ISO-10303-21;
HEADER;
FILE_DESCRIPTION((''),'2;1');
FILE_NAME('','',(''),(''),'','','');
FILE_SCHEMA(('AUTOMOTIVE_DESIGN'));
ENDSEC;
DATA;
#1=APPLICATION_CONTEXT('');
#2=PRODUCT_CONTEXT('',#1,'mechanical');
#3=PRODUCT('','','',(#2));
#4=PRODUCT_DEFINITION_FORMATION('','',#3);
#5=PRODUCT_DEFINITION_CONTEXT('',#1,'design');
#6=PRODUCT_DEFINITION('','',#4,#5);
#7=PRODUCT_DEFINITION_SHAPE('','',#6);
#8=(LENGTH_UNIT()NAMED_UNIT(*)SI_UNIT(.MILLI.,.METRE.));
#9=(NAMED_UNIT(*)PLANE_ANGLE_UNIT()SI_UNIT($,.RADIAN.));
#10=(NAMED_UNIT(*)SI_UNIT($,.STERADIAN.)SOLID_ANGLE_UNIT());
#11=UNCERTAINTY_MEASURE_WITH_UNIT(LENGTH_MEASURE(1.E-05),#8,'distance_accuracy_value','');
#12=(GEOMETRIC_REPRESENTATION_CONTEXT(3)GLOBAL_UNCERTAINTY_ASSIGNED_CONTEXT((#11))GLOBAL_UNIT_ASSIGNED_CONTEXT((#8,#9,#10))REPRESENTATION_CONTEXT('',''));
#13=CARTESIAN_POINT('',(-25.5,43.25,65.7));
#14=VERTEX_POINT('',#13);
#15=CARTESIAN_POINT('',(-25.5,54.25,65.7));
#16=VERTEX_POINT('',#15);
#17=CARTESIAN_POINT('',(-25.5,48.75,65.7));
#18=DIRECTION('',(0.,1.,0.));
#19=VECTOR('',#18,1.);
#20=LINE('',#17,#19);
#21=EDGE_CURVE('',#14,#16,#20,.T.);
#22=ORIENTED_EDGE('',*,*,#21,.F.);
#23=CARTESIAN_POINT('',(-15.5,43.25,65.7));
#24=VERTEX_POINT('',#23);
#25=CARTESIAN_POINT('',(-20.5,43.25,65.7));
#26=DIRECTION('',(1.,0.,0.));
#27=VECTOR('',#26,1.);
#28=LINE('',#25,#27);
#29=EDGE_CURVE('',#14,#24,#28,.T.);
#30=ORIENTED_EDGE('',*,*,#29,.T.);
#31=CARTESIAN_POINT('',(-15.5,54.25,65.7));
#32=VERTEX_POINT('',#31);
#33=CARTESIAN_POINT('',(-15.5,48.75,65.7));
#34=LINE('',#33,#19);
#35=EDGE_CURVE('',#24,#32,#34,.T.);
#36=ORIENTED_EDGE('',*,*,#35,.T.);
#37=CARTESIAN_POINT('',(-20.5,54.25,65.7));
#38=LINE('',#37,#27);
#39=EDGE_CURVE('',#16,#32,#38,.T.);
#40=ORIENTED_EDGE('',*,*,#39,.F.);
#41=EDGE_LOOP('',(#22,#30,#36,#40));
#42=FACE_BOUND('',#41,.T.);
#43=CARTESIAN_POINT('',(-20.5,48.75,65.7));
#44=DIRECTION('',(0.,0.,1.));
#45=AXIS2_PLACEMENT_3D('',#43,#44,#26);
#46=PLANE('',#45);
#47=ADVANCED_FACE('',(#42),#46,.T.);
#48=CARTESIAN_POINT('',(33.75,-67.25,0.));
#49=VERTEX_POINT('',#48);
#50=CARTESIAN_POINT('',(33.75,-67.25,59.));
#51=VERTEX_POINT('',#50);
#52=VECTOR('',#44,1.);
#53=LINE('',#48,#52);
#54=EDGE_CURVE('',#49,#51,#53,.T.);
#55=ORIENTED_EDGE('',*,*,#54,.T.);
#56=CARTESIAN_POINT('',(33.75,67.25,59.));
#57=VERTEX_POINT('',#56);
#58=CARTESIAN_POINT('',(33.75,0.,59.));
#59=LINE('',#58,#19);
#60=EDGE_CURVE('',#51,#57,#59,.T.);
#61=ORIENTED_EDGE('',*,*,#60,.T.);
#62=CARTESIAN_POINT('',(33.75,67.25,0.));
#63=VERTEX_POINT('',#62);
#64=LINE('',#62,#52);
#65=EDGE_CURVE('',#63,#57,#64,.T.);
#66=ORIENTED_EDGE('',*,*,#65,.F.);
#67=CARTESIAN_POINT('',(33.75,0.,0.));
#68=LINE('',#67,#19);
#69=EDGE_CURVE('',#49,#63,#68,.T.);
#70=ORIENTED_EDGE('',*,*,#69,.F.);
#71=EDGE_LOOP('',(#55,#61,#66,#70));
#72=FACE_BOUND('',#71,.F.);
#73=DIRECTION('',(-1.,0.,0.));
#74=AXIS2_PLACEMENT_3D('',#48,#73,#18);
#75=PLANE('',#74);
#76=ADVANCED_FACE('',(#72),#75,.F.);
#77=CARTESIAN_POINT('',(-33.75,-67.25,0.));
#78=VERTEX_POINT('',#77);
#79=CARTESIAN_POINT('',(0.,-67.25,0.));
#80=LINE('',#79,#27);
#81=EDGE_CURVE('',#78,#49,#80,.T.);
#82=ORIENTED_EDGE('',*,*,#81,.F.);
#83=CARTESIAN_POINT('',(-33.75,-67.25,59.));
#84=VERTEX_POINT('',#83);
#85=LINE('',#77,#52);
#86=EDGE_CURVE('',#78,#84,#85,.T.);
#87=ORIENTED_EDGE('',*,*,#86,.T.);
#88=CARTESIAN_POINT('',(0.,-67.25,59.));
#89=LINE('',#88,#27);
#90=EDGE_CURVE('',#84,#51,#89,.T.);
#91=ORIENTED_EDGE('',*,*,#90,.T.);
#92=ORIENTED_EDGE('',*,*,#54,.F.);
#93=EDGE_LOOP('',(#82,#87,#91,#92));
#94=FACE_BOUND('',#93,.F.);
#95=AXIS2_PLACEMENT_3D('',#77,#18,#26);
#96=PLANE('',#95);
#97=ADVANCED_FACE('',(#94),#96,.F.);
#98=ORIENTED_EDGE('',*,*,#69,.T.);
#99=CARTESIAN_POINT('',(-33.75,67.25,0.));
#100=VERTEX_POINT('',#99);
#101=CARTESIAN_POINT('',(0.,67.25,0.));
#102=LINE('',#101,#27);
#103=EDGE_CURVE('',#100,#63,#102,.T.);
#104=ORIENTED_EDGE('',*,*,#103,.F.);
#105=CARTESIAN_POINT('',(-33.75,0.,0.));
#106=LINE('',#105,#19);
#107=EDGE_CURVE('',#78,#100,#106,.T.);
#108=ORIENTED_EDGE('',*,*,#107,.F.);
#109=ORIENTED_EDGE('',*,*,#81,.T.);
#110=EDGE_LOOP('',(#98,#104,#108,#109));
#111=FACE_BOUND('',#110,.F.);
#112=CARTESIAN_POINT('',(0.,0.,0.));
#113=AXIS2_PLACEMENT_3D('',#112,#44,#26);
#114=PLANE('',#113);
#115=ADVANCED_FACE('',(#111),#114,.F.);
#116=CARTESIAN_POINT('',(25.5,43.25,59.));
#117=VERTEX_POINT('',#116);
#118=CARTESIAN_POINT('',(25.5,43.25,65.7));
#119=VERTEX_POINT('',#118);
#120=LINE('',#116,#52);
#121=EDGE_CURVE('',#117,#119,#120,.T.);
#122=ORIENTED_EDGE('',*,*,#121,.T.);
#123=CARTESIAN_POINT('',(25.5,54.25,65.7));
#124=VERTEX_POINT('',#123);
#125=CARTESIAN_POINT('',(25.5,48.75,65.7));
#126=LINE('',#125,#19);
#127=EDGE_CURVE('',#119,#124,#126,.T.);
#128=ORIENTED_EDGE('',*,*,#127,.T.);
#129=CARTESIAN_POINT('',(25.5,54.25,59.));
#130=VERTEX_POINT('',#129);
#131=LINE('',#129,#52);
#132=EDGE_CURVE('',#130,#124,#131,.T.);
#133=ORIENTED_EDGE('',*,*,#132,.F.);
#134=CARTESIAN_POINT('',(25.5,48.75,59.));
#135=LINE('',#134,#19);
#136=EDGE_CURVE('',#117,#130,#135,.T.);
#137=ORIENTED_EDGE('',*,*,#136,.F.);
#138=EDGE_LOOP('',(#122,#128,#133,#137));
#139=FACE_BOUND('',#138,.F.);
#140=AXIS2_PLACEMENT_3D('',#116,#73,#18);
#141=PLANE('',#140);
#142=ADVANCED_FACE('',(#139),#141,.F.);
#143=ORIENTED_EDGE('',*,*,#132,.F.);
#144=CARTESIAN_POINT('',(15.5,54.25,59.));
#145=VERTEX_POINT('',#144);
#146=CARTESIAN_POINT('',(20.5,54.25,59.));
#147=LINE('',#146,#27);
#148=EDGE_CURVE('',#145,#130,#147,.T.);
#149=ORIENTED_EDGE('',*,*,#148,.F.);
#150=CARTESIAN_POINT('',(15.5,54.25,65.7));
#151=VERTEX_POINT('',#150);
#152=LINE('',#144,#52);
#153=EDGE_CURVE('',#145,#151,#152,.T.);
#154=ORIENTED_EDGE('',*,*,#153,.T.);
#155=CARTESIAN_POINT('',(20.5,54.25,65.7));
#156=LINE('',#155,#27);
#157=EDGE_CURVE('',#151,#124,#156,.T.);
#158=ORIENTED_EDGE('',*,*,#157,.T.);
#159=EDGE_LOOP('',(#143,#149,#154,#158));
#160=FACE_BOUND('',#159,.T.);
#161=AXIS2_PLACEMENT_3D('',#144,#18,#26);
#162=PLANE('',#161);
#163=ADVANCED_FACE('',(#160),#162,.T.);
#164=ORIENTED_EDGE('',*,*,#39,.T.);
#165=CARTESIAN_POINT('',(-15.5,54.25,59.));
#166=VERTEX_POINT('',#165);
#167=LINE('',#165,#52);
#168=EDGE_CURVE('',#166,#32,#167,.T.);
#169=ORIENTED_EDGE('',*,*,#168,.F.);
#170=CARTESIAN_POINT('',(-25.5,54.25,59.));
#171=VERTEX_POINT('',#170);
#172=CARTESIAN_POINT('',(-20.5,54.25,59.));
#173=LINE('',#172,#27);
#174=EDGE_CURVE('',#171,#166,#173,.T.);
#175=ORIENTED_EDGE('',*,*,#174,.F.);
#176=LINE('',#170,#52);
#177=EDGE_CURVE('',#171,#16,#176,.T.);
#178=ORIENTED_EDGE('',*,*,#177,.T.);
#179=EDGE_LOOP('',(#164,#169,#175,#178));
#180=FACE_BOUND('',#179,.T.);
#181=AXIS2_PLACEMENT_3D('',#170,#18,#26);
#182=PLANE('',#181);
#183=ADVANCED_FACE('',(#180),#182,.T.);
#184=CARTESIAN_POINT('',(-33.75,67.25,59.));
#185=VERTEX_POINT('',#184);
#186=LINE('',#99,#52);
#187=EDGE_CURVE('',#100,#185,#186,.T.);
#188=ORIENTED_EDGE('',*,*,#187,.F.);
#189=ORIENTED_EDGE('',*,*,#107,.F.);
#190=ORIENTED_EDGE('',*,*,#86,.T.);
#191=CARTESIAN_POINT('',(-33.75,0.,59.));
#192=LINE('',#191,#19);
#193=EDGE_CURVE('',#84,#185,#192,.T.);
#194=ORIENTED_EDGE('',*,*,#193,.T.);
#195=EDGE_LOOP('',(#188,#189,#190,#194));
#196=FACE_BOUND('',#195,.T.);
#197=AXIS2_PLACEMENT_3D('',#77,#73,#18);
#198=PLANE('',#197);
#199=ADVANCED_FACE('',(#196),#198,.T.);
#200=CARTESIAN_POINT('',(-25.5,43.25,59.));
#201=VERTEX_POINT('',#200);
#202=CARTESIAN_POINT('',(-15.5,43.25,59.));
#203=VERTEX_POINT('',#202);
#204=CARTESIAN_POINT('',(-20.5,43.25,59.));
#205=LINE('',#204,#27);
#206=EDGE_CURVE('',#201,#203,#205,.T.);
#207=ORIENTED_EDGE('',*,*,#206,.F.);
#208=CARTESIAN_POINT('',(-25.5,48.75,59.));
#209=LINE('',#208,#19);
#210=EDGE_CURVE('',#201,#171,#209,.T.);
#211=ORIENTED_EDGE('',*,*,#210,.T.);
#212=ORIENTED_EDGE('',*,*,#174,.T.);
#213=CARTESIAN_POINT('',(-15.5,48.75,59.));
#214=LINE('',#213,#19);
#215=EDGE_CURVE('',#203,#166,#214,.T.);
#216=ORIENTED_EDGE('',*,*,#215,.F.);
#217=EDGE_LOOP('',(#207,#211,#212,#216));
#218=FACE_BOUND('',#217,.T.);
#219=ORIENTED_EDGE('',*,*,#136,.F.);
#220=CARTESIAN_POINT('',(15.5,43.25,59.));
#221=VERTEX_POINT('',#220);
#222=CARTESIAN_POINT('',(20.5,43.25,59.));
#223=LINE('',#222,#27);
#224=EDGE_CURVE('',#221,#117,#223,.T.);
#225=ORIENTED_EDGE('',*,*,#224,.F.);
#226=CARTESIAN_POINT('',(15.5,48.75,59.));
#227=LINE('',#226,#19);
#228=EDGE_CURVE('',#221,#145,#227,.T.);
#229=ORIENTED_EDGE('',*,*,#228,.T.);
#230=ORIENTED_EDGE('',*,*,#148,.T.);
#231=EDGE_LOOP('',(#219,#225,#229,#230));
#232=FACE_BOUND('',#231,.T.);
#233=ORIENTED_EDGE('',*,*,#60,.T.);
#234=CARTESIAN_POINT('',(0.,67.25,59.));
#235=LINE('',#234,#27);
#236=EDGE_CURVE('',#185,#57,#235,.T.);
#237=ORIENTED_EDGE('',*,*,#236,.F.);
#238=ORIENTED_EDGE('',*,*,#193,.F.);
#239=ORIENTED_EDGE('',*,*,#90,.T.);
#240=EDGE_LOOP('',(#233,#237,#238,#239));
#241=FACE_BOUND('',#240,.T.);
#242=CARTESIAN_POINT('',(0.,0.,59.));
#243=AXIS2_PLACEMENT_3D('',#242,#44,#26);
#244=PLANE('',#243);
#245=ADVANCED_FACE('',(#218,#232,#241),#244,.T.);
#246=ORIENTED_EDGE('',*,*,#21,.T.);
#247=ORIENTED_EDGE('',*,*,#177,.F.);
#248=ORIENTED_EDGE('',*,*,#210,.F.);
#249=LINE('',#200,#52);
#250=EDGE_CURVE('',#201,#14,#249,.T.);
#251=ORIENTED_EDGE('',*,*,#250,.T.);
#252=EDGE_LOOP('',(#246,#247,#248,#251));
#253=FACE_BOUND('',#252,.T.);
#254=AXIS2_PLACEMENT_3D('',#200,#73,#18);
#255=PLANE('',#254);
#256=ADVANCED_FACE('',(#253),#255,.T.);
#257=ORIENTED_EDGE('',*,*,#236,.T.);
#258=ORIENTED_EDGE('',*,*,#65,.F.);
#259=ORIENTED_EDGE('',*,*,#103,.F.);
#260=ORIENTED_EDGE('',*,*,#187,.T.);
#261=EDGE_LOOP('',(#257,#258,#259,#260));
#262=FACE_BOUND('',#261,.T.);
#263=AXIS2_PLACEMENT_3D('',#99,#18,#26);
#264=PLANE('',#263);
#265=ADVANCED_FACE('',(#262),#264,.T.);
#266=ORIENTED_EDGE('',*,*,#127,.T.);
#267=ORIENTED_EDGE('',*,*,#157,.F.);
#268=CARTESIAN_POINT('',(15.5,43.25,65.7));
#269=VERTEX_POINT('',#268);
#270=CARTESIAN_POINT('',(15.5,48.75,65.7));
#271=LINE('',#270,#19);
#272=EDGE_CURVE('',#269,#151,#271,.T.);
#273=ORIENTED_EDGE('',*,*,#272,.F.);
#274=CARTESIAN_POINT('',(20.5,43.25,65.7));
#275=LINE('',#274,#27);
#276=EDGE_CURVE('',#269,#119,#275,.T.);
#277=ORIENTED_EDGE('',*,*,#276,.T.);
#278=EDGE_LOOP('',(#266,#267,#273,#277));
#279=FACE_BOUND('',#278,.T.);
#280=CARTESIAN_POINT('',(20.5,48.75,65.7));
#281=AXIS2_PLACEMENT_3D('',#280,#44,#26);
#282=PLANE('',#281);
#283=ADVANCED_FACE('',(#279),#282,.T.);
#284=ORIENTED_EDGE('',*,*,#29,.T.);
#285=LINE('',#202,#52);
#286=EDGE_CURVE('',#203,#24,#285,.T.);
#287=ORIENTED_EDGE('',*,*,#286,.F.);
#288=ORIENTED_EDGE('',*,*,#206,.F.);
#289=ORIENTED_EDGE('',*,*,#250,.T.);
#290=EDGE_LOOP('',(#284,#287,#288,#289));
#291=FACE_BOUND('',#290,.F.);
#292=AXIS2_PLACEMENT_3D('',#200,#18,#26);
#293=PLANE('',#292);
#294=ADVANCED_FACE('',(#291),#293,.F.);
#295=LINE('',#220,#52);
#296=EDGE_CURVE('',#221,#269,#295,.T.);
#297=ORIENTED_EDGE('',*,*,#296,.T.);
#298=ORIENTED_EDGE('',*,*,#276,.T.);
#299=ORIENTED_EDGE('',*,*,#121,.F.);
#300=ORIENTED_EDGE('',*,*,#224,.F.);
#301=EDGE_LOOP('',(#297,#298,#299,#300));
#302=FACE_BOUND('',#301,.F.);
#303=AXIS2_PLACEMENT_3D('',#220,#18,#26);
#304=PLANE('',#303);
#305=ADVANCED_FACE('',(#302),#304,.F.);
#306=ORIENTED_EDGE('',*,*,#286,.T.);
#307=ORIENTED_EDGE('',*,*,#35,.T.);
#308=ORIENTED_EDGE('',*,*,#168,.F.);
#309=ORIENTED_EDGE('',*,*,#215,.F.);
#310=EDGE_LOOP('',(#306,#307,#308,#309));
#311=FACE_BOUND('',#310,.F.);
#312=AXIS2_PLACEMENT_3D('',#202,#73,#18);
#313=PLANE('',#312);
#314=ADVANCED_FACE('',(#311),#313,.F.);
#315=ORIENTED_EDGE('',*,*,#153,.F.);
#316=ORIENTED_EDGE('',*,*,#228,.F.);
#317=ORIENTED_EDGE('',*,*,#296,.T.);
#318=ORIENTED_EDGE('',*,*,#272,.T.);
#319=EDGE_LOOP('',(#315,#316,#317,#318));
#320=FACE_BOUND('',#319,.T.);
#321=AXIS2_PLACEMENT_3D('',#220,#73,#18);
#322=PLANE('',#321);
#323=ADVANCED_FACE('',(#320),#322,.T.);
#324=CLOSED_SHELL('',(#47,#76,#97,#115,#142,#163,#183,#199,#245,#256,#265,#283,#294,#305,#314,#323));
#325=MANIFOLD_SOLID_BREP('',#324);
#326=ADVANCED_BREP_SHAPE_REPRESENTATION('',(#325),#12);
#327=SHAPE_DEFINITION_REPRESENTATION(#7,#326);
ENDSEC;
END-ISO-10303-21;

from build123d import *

# Parameters (mm, degrees)
SKETCH_W     = 67.5
SKETCH_H     = 134.5
PAD_DEPTH    = 59
SKETCH001_W  = 10
SKETCH001_H  = 11
PAD001_DEPTH = 6.7


with BuildPart() as part:
    # Sketch → Pad (new body)
    with BuildSketch(Plane.XY):
        Rectangle(SKETCH_W, SKETCH_H)
    extrude(amount=PAD_DEPTH)

    # Sketch001 (on Face6 of Pad) → Pad001 (join)
    with BuildSketch(Plane.XY.offset(59)):
        with Locations((-20.5, 48.75)):
            Rectangle(SKETCH001_W, SKETCH001_H)
        with Locations((20.5, 48.75)):
            Rectangle(SKETCH001_W, SKETCH001_H)
    extrude(amount=PAD001_DEPTH)


solid = part.part
